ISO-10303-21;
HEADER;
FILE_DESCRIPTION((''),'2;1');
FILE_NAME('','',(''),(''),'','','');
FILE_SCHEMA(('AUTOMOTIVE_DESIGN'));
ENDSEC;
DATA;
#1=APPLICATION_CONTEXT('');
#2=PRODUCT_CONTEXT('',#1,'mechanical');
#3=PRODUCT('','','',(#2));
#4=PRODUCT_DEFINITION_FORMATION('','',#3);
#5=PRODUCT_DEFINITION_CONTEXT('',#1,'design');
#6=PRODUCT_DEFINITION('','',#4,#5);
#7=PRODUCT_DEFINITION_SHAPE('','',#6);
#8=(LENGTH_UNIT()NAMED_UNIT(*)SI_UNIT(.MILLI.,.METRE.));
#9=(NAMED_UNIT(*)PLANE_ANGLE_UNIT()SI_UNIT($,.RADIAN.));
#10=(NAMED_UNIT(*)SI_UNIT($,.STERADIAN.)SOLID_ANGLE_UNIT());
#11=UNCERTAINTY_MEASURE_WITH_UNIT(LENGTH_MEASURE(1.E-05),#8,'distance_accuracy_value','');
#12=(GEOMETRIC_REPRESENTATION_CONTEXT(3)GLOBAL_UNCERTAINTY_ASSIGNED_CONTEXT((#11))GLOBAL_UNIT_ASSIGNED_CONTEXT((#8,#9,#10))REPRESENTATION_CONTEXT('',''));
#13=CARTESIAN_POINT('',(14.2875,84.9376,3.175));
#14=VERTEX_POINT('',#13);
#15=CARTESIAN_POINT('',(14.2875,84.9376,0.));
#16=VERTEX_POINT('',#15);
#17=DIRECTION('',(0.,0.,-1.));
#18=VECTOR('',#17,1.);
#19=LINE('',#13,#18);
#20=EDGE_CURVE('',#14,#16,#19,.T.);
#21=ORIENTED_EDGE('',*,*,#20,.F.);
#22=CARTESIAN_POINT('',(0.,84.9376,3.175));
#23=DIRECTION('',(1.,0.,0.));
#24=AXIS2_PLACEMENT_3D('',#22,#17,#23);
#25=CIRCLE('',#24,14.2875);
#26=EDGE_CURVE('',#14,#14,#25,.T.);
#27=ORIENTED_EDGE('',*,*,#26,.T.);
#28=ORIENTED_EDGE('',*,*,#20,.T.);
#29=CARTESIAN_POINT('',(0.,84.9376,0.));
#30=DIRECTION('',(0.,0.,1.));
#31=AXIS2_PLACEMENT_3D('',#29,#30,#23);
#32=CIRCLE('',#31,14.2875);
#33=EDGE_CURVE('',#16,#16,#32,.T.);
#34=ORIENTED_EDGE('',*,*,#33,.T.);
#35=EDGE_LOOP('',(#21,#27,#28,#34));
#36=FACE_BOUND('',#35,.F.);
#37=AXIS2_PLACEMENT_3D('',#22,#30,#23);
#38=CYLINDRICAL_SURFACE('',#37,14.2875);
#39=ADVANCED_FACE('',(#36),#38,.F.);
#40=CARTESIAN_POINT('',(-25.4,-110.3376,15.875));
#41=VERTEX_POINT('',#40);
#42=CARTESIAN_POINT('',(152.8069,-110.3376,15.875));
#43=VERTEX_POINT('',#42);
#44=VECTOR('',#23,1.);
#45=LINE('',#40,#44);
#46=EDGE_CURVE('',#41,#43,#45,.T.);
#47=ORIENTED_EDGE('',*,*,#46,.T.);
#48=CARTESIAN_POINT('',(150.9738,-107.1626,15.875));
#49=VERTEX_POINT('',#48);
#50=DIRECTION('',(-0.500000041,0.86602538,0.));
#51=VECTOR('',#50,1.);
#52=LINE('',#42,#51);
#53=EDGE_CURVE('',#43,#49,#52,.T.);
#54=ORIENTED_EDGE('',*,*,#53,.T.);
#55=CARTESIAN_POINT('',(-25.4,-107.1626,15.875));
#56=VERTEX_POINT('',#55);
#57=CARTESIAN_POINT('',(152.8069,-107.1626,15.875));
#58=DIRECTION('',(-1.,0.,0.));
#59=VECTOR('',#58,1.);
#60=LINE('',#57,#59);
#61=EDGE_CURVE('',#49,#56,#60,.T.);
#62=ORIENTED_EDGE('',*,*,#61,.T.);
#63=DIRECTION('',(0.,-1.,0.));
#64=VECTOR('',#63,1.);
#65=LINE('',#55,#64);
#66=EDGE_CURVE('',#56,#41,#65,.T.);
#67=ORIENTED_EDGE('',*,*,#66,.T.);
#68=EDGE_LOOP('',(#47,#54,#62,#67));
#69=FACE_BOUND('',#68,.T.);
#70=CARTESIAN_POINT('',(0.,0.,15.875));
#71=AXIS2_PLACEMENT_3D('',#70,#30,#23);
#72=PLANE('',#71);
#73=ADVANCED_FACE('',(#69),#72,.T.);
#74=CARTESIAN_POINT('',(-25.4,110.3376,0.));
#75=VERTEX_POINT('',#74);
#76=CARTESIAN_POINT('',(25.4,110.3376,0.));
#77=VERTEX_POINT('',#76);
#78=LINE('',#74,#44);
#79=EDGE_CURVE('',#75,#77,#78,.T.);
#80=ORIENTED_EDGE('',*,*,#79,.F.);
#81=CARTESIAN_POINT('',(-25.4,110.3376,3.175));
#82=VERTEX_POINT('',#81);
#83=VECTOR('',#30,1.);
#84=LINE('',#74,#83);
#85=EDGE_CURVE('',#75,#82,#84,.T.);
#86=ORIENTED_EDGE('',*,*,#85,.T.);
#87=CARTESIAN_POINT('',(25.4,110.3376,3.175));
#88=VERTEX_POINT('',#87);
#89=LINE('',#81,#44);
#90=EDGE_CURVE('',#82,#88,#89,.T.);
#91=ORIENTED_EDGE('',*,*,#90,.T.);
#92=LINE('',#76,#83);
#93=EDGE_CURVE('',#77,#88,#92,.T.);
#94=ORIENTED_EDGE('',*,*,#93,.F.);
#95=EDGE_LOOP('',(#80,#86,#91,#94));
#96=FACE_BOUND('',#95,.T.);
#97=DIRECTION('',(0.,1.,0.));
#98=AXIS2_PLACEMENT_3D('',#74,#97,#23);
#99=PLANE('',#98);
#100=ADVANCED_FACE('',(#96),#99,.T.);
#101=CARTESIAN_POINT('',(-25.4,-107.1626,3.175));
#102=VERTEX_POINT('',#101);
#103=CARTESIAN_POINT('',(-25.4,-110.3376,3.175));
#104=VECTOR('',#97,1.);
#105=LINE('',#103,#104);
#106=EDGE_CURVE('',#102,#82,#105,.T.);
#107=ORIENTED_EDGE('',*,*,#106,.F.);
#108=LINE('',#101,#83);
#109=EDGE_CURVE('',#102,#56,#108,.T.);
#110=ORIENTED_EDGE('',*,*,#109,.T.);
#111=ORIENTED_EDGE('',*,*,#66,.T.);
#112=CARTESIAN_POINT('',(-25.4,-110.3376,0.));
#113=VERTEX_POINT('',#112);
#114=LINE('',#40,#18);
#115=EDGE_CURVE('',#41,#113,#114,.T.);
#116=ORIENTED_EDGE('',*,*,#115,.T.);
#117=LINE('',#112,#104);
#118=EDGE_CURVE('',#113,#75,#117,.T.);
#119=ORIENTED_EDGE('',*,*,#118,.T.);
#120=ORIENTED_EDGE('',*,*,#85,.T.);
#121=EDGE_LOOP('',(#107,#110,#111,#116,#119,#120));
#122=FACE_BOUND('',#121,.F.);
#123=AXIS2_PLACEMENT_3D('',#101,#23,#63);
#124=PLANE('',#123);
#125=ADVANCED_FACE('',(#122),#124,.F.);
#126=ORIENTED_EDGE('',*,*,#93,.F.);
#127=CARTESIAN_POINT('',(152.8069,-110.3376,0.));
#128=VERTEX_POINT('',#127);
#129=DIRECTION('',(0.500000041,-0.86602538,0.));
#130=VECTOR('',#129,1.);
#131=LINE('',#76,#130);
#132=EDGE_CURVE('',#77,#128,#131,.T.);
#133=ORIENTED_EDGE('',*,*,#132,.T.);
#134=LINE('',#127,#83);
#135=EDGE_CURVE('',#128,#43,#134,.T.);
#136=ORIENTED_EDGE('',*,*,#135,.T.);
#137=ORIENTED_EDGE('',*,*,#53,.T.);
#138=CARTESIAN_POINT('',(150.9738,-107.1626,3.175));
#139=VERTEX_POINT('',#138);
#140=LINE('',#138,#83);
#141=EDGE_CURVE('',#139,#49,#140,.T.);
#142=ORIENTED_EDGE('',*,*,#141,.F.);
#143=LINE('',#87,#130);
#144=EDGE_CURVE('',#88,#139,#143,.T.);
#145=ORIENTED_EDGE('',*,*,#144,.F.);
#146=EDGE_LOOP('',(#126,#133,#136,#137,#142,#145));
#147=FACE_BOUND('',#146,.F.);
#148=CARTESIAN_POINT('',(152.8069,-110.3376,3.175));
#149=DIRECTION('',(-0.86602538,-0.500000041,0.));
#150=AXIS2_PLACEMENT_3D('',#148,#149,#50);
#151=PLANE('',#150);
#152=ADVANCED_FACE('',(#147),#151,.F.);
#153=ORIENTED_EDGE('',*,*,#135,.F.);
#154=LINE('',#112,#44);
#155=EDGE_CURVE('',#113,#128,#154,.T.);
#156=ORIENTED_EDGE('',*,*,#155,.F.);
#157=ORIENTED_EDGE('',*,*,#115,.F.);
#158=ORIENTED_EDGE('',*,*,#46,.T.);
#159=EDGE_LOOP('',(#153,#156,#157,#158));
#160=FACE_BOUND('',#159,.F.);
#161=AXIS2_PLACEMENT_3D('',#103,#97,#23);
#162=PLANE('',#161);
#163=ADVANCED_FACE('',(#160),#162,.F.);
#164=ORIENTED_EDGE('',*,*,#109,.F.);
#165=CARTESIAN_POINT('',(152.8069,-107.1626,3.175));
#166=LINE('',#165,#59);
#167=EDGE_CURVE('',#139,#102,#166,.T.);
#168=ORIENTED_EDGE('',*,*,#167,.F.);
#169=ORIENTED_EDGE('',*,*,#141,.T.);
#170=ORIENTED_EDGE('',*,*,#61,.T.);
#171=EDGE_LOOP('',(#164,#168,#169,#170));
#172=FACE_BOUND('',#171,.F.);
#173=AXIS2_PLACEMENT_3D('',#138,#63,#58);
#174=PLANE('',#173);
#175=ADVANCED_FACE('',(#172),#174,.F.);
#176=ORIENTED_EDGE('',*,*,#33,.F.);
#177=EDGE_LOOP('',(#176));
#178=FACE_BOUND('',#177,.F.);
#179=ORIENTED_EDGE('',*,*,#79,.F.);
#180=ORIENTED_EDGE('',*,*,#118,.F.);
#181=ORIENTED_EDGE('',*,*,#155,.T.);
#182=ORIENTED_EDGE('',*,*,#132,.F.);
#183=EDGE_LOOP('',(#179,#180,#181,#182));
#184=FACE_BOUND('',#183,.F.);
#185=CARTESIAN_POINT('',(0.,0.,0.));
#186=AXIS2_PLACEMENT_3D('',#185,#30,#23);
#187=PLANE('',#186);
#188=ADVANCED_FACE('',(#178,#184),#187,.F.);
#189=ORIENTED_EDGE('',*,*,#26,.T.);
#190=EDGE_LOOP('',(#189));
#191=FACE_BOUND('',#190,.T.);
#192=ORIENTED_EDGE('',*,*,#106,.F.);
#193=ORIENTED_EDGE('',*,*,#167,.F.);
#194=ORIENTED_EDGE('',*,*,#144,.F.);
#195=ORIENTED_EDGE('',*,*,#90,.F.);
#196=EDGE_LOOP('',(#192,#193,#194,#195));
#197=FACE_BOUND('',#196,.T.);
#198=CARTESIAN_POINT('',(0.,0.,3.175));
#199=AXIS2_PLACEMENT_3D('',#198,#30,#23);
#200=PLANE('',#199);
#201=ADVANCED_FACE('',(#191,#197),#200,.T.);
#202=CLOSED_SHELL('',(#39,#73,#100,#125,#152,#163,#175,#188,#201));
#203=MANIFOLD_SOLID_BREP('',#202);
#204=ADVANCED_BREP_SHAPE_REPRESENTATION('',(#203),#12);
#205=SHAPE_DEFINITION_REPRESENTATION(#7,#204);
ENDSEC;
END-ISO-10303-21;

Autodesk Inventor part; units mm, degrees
ref_plane "YZ Plane" through (0, 0, 0) normal (1, 0, 0) x (0, 1, 0)
ref_plane "XZ Plane" through (0, 0, 0) normal (0, 1, 0) x (-1, 0, 0)
ref_plane "XY Plane" through (0, 0, 0) normal (0, 0, 1) x (1, 0, 0)
sketch "Sketch1" plane through (0, 0, 0) normal (0, 0, 1) x (1, 0, 0)
  line L0 (25.4, -110.3376) -> (-25.4, -110.3376)
  line L1 (-25.4, -110.3376) -> (-25.4, 110.3376)
  line L2 (-25.4, 110.3376) -> (25.4, 110.3376)
  line L3 (25.4, 110.3376) -> (25.4, -110.3376)
  line L4 (25.4, -110.3376) -> (-25.4, 110.3376) construction
  line L5 (-25.4, -110.3376) -> (25.4, 110.3376) construction
  line L6 (25.4, 110.3376) -> (152.8069, -110.3376)
  line L7 (25.4, 110.3376) -> (280.2138, 110.3376) construction
  line L8 (152.8069, -110.3376) -> (25.4, -110.3376)
  point P0 (0, 0)
  dimension "d0" = 50.8
  dimension "d1" = 220.6752
  dimension "d2" = 60
extrude "Extrusion1" add sketch "Sketch1" along normal blind 3.175
sketch "Sketch2" plane through (0, 0, 3.175) normal (0, 0, 1) x (1, 0, 0)
  line L0 (152.8069, -110.3376) -> (25.4, 110.3376) projected
  line L1 (-25.4, -110.3376) -> (152.8069, -110.3376)
  line L2 (152.8069, -107.1626) -> (-25.4, -107.1626)
  line L3 (-25.4, -107.1626) -> (-25.4, -110.3376)
  line L4 (150.9738, -107.1626) -> (152.8069, -110.3376)
  point P0 (0, 0)
  dimension "d5" = 3.175
extrude "Extrusion2" add sketch "Sketch2" along normal blind 12.7
sketch "Sketch3" plane through (0, 0, 3.175) normal (0, 0, 1) x (1, 0, 0)
  line L0 (-25.4, 110.3376) -> (0, 110.3376)
  line L1 (0, 110.3376) -> (0, 84.9376)
  line L2 (0, 84.9376) -> (-25.4, 84.9376)
  line L3 (-25.4, 84.9376) -> (-25.4, 110.3376)
  circle A0 centre (0, 84.9376) radius 14.2875
  point P0 (0, 0)
  dimension "d8" = 25.4
  dimension "d9" = 25.4
  dimension "d10" = 28.575
extrude "Extrusion3" cut sketch "Sketch3" against normal blind 25.4 contours A0 L2 L1 | L1 L2 A0
properties part number "LPlate"
